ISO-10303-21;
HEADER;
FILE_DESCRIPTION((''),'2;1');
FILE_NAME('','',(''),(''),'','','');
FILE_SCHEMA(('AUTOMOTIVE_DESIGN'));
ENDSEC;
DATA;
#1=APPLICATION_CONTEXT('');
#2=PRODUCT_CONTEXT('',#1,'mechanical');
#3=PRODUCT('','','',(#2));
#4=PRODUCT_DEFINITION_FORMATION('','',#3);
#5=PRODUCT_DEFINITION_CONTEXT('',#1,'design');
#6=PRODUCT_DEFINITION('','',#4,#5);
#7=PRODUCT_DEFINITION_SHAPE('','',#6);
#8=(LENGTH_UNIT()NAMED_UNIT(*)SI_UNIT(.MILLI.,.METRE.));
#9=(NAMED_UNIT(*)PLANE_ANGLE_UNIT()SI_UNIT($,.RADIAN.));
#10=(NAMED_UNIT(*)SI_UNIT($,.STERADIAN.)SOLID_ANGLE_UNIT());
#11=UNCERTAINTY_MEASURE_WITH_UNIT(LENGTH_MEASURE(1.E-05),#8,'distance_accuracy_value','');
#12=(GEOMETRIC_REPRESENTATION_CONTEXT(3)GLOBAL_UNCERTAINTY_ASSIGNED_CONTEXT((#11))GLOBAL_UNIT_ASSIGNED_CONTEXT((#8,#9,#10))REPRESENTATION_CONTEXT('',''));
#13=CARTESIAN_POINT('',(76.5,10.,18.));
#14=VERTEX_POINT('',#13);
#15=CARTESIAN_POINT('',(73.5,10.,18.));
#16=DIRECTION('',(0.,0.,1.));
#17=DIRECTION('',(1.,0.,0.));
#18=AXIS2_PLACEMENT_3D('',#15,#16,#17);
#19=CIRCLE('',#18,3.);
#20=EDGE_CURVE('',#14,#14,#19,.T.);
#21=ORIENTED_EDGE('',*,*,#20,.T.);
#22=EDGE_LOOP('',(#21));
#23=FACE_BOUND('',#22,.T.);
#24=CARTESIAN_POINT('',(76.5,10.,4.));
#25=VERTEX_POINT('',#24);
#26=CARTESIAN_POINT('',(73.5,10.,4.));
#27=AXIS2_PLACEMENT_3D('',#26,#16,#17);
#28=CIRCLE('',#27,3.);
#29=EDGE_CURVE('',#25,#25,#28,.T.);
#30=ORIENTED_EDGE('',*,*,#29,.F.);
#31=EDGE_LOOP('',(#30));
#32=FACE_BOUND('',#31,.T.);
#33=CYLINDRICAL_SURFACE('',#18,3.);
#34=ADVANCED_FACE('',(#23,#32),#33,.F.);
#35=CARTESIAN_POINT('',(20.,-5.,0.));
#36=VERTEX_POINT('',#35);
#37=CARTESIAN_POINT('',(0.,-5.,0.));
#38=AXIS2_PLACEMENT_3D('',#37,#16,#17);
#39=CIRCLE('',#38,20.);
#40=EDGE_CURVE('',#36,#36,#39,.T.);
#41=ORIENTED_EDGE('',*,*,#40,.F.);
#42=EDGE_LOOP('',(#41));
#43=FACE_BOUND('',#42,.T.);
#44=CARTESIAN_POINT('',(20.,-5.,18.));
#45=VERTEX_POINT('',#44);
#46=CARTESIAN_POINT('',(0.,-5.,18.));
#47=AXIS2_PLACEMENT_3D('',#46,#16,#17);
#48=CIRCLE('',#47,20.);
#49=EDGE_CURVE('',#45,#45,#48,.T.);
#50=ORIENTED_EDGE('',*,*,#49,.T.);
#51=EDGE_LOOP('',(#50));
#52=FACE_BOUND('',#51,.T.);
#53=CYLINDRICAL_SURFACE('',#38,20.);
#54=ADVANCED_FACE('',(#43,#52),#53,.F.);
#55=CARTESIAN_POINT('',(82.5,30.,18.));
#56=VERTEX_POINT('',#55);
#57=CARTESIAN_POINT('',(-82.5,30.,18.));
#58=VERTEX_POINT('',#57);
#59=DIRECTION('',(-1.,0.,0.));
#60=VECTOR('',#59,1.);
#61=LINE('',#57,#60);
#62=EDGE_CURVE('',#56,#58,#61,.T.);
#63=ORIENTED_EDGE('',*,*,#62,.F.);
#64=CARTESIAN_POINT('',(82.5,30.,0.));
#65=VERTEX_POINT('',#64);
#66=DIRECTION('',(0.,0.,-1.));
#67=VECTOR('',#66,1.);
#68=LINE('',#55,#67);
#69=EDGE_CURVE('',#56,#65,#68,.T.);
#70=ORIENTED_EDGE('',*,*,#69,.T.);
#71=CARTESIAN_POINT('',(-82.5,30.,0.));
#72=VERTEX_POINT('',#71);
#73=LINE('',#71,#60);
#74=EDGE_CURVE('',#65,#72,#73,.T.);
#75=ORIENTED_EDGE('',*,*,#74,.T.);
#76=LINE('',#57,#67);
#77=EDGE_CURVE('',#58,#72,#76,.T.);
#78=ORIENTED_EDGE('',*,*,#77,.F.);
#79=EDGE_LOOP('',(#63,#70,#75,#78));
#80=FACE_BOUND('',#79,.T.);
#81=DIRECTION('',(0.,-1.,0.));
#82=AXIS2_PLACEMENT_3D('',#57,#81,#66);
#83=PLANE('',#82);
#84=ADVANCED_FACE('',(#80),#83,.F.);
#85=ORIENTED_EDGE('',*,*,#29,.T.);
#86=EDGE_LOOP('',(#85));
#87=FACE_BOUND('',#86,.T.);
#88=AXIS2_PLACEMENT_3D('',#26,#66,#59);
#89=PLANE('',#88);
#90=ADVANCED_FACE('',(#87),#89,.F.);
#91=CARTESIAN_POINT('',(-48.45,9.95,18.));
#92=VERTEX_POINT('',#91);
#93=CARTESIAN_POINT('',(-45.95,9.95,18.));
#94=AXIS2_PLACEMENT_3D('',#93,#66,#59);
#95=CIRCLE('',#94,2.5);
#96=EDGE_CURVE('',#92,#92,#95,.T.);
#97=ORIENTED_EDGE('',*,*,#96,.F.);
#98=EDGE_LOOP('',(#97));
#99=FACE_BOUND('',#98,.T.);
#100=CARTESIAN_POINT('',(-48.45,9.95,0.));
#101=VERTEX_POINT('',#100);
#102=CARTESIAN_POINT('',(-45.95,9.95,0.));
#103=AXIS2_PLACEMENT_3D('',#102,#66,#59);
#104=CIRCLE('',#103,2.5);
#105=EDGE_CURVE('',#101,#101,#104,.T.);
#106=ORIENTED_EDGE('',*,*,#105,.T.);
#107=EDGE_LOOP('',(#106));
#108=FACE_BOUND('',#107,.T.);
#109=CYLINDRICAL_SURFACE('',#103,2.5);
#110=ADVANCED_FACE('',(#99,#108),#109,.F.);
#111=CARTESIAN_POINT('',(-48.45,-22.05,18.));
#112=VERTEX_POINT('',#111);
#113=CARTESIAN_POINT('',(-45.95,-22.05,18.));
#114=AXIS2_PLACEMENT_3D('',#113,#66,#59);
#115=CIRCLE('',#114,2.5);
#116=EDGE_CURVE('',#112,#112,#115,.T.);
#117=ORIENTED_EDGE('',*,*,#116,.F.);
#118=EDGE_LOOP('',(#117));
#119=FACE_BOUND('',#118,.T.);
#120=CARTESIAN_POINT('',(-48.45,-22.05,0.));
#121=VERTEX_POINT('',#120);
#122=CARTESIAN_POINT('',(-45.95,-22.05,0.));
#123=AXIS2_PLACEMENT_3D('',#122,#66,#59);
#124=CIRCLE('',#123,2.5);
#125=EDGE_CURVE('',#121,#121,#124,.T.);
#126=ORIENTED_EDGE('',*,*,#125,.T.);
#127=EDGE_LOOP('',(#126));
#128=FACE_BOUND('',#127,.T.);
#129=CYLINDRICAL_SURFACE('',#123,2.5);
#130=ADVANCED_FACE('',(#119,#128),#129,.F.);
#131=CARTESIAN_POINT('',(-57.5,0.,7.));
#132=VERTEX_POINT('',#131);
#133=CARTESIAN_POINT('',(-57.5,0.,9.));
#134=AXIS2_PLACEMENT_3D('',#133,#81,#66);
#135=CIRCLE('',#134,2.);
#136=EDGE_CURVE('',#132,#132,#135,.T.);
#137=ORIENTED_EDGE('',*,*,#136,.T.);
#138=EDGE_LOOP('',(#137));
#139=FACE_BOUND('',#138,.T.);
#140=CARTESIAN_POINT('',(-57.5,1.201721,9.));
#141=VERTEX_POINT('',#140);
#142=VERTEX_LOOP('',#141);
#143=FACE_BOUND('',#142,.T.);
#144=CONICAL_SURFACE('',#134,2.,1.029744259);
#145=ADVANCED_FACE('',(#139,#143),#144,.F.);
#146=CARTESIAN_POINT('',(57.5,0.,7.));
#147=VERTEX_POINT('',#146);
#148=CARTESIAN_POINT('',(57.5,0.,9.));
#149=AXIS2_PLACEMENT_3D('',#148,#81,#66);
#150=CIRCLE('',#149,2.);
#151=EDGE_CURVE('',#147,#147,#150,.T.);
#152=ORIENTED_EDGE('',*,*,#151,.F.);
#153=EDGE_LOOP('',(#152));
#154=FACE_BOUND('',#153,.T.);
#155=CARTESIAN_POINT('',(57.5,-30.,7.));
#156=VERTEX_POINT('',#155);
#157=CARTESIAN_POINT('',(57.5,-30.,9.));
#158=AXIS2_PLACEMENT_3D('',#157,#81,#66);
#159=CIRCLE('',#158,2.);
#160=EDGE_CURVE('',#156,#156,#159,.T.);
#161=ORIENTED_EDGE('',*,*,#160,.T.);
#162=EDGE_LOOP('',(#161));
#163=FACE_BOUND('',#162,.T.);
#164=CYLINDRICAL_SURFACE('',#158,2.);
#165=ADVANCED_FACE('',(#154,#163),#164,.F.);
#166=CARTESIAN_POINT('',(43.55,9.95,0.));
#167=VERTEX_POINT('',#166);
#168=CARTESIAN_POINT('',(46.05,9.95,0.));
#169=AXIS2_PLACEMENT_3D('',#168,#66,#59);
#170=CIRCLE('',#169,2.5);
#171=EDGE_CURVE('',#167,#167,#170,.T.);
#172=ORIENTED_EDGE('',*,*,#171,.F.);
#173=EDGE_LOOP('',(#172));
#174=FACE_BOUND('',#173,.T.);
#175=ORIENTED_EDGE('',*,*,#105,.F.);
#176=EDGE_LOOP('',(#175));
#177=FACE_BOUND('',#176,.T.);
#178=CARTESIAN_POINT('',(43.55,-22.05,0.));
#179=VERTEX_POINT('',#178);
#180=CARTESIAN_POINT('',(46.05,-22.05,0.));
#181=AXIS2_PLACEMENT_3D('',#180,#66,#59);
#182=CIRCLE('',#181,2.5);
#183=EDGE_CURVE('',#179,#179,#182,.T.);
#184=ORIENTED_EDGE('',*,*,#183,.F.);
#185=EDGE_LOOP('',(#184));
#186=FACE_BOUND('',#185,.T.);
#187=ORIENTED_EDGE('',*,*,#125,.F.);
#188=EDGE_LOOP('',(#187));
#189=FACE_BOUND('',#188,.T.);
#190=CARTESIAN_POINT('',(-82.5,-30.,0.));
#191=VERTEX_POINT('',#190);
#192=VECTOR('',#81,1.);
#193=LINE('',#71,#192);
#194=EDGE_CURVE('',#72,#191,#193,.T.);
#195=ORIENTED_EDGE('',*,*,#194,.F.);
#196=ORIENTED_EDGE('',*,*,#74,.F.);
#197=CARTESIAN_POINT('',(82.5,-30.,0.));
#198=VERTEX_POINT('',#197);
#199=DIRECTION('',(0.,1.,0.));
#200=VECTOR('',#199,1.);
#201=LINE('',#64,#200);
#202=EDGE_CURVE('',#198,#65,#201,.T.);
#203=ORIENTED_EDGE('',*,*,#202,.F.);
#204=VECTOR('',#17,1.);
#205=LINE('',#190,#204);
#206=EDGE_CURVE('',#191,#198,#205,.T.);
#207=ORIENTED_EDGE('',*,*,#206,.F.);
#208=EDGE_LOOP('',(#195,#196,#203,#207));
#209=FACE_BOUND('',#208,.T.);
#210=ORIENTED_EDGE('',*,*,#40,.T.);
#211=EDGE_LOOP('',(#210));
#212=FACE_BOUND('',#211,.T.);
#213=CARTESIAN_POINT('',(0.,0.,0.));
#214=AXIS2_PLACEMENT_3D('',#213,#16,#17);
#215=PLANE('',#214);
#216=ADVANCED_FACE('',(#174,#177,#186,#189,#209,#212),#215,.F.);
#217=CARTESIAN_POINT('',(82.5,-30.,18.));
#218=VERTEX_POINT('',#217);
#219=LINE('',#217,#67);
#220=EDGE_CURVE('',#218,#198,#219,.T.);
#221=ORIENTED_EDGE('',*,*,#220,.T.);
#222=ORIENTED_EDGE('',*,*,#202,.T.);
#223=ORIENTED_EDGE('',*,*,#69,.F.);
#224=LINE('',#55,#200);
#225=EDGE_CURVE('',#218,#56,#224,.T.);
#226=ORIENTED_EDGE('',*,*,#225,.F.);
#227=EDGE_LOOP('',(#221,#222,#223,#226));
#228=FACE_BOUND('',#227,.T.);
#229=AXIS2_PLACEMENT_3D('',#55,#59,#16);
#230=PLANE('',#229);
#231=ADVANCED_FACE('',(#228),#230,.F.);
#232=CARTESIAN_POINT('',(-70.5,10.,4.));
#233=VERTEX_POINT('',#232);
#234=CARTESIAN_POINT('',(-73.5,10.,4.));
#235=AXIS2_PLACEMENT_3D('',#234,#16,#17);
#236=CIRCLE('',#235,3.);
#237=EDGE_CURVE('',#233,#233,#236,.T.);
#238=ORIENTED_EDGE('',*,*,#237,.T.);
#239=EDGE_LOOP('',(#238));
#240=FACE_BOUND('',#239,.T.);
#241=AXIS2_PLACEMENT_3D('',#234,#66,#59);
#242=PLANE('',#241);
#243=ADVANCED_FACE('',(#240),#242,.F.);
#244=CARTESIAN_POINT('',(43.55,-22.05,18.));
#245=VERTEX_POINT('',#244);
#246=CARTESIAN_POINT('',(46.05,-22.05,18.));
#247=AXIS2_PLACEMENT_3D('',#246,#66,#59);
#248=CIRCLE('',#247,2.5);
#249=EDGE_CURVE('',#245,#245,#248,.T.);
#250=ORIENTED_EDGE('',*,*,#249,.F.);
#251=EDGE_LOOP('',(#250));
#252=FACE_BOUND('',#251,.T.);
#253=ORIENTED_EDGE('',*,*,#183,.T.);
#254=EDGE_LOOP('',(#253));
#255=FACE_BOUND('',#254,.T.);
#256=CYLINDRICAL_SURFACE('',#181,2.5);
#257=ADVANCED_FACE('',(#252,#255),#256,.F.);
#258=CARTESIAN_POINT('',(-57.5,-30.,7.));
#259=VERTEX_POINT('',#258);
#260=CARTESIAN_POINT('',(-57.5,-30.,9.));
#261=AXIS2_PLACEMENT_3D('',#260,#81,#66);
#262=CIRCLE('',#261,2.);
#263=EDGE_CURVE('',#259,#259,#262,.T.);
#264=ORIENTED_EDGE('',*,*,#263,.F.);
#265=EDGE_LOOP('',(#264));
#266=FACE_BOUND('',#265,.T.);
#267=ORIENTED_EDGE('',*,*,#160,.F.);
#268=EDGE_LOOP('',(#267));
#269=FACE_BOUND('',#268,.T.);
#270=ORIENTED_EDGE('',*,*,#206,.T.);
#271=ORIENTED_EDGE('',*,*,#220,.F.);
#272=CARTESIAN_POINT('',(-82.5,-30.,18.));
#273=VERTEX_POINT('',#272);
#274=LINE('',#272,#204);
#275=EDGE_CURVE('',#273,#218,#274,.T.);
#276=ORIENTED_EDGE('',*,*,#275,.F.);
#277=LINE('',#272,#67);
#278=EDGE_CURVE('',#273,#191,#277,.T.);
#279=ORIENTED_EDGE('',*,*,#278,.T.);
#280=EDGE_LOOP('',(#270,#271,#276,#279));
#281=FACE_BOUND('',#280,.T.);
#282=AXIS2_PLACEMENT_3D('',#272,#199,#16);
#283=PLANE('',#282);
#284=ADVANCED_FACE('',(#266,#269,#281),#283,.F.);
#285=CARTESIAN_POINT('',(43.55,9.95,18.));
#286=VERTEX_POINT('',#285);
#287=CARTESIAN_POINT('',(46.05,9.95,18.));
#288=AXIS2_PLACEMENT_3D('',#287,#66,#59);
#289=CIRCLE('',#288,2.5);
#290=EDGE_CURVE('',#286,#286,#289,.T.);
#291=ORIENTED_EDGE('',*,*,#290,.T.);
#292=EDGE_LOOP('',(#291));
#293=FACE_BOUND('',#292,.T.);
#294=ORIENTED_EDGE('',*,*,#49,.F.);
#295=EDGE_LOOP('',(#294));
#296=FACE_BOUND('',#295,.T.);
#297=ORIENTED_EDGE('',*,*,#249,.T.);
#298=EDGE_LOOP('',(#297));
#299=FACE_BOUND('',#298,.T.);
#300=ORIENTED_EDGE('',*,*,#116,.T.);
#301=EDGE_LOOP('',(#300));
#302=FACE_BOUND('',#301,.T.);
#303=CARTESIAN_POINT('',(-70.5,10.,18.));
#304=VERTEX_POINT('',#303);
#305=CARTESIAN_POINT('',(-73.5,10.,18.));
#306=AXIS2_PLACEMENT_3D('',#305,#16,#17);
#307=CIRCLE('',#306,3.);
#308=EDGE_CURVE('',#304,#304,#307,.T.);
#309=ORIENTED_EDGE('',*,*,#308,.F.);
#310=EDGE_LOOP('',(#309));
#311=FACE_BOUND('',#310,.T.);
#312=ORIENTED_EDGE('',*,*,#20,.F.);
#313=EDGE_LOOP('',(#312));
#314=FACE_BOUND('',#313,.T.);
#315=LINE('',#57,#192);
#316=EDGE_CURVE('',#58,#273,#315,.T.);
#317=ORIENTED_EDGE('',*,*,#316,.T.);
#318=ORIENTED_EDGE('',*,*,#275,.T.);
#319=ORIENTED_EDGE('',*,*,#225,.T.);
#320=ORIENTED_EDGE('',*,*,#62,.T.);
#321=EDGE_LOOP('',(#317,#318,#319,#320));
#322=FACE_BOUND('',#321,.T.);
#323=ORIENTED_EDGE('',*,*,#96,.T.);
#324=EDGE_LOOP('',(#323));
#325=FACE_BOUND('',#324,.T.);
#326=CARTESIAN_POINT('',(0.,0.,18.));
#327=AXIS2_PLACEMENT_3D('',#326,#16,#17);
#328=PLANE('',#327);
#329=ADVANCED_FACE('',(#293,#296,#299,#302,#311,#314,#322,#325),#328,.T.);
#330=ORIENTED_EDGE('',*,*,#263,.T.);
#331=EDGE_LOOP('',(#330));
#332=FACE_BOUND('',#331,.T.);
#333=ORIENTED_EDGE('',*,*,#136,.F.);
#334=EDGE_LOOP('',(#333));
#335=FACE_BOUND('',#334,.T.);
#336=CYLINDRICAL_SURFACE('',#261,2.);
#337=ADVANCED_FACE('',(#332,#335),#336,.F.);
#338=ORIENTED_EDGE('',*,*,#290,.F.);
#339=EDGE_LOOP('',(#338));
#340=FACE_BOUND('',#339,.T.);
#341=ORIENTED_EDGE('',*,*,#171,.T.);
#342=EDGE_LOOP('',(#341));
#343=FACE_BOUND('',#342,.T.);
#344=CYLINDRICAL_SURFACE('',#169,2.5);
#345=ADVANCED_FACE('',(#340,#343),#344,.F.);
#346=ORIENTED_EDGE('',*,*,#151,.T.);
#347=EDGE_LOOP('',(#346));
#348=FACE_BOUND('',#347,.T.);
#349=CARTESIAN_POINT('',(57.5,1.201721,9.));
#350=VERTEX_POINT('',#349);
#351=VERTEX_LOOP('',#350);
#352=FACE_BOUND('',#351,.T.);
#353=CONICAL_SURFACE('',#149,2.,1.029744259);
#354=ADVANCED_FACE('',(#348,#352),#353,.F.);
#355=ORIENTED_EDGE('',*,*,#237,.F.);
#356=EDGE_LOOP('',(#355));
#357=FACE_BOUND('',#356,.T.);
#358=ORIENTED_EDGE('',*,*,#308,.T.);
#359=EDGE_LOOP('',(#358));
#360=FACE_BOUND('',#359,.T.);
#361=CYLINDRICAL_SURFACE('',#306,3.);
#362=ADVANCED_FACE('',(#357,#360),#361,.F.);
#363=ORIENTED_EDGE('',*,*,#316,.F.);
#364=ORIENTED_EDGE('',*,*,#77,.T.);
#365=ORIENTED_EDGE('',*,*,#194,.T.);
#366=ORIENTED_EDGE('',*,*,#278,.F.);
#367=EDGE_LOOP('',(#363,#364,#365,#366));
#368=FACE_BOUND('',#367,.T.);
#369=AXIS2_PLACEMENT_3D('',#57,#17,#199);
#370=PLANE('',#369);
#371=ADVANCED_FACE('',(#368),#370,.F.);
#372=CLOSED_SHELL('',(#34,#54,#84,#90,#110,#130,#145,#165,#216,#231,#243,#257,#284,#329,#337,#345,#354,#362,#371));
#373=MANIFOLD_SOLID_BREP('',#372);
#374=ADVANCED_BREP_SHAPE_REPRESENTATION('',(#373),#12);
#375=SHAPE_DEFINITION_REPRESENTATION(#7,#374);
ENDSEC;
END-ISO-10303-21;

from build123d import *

# Parameters (mm, degrees)
SKETCH1_W                    = 165
SKETCH1_H                    = 60
BOSS_EXTRUDE1_DEPTH          = 18
SKETCH3_R                    = 20
CUT_EXTRUDE2_DEPTH           = 18
F_4_0_4_DIAMETER_HOLE1_D     = 4
F_4_0_4_DIAMETER_HOLE1_DEPTH = 30
F_4_0_4_DIAMETER_HOLE1_TIP   = 1.201721238
F_6_0_6_DIAMETER_HOLE2_D     = 6
F_6_0_6_DIAMETER_HOLE2_DEPTH = 14
F_5_0_5_DIAMETER_HOLE1_D     = 5


with BuildPart() as part:
    # Sketch1 → Boss-Extrude1 (new body)
    with BuildSketch(Plane.XY):
        Rectangle(SKETCH1_W, SKETCH1_H)
    extrude(amount=BOSS_EXTRUDE1_DEPTH)

    # Sketch3 → Cut-Extrude2 (cut)
    with BuildSketch(Plane.XY.offset(18)):
        with Locations((0, -5)):
            Circle(SKETCH3_R)
    extrude(amount=-CUT_EXTRUDE2_DEPTH, mode=Mode.SUBTRACT)

    # Ø4.0 (4) Diameter Hole1
    with Locations(Plane(origin=(0, -30, 0), x_dir=(-1, 0, 0), z_dir=(0, -1, 0))):
        with Locations((57.5, -9), (-57.5, -9)):
            Hole(F_4_0_4_DIAMETER_HOLE1_D / 2, depth=F_4_0_4_DIAMETER_HOLE1_DEPTH)
            with Locations((0, 0, -(F_4_0_4_DIAMETER_HOLE1_DEPTH + F_4_0_4_DIAMETER_HOLE1_TIP / 2))):  # 118° drill point
                Cone(0, F_4_0_4_DIAMETER_HOLE1_D / 2, F_4_0_4_DIAMETER_HOLE1_TIP, mode=Mode.SUBTRACT)

    # Ø6.0 (6) Diameter Hole2
    with Locations(Plane.XY.offset(18)):
        with Locations((73.5, 10), (-73.5, 10)):
            Hole(F_6_0_6_DIAMETER_HOLE2_D / 2, depth=F_6_0_6_DIAMETER_HOLE2_DEPTH)

    # Ø5.0 (5) Diameter Hole1 (through all)
    with Locations(Plane(origin=(0, 0, 0), x_dir=(-1, 0, 0), z_dir=(0, 0, -1))):
        with Locations((-46.05, 9.95), (-46.05, -22.05), (45.95, 9.95), (45.95, -22.05)):
            Hole(F_5_0_5_DIAMETER_HOLE1_D / 2)


solid = part.part
